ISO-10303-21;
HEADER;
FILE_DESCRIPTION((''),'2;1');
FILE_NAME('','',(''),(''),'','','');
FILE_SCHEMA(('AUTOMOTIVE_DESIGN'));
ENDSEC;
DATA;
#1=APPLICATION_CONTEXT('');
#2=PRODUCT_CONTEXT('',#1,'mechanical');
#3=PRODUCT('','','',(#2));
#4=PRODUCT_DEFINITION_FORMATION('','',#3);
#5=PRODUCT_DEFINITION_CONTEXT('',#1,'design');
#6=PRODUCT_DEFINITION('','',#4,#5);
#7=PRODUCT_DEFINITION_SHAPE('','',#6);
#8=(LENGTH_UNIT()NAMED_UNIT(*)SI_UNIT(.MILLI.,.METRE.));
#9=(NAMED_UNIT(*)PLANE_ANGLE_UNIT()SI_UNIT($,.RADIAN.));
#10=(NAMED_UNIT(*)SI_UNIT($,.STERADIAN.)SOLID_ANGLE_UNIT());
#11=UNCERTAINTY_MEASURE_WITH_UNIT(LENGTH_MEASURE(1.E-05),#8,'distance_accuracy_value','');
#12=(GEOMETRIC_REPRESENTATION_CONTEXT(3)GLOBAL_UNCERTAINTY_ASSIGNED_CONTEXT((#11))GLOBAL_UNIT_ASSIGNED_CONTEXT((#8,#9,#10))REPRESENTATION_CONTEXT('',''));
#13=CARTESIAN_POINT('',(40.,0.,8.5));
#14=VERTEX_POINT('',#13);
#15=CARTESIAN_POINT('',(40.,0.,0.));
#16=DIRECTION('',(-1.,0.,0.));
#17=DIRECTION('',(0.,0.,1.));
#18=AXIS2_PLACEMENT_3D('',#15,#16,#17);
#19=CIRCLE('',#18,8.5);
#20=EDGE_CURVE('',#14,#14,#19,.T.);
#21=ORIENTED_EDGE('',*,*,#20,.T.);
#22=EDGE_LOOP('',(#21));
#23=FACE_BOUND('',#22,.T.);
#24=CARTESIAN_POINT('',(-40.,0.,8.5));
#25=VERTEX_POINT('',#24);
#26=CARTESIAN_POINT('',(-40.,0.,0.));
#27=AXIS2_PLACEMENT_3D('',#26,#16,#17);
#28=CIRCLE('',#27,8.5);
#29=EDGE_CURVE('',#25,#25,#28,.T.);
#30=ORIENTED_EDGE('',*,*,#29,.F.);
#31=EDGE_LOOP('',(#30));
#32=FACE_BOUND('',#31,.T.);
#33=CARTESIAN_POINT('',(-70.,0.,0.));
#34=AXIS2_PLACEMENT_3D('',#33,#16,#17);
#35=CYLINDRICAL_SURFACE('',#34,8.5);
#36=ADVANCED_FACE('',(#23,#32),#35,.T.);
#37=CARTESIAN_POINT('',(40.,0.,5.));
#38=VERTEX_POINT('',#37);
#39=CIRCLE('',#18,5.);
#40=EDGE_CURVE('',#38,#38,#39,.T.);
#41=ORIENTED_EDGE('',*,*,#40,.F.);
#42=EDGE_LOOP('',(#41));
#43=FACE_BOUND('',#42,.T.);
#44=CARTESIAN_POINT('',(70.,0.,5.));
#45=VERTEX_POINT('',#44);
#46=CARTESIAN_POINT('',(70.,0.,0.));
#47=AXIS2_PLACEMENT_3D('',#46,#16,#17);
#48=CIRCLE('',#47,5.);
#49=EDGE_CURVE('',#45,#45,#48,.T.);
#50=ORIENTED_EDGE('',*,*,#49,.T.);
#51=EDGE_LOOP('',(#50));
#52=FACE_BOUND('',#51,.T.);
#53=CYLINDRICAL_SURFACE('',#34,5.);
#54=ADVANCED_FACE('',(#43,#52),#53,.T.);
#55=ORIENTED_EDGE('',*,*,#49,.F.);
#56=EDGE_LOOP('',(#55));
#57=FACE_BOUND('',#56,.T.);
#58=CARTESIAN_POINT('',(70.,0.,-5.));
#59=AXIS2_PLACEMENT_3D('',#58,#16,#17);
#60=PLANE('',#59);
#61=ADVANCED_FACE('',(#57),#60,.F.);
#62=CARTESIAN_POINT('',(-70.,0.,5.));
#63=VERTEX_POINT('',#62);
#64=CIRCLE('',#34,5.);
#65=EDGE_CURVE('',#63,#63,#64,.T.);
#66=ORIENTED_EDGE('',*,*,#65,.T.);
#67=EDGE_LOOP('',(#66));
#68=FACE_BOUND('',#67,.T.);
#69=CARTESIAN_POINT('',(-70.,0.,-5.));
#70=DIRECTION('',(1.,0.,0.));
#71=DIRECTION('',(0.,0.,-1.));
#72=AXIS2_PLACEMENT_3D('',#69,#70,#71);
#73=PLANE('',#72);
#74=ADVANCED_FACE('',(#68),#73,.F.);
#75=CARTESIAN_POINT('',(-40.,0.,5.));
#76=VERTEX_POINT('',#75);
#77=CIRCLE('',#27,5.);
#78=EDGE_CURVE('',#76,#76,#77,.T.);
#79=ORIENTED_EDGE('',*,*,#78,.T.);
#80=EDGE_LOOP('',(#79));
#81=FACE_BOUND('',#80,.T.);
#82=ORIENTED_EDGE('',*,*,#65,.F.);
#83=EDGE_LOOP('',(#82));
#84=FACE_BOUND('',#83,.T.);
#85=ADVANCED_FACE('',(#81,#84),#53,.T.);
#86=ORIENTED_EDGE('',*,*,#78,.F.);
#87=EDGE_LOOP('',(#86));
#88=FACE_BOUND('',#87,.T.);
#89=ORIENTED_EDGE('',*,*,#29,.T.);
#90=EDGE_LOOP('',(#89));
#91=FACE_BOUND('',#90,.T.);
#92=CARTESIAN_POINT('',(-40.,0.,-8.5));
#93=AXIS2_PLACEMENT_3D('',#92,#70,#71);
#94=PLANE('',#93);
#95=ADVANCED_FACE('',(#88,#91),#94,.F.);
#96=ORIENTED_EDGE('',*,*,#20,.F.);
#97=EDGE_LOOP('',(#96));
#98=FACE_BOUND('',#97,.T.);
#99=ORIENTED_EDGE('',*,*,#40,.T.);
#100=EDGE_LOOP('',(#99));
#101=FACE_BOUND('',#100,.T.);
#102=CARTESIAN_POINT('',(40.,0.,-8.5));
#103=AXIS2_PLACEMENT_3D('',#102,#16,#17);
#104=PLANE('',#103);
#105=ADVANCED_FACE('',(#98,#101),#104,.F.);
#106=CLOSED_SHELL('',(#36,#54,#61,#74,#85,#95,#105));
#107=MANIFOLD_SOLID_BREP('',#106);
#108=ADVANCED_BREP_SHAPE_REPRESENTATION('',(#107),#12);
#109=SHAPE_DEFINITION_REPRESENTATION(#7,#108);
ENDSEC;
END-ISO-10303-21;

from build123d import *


with BuildPart() as part:
    # Sketch1 → Revolve1 (revolve)
    with BuildSketch(Plane(origin=(0, 0, 0), x_dir=(1, 0, 0), z_dir=(0, 1, 0)), mode=Mode.PRIVATE) as revolve1_sk:
        Polygon((40, 8.5), (-40, 8.5), (-40, 5), (-70, 5), (-70, 0), (70, 0), (70, 5), (40, 5), align=None)
    revolve(revolve1_sk.sketch.rotate(Axis((-70, 0, 0), (1, 0, 0)), 180), axis=Axis((-70, 0, 0), (1, 0, 0)))


solid = part.part
